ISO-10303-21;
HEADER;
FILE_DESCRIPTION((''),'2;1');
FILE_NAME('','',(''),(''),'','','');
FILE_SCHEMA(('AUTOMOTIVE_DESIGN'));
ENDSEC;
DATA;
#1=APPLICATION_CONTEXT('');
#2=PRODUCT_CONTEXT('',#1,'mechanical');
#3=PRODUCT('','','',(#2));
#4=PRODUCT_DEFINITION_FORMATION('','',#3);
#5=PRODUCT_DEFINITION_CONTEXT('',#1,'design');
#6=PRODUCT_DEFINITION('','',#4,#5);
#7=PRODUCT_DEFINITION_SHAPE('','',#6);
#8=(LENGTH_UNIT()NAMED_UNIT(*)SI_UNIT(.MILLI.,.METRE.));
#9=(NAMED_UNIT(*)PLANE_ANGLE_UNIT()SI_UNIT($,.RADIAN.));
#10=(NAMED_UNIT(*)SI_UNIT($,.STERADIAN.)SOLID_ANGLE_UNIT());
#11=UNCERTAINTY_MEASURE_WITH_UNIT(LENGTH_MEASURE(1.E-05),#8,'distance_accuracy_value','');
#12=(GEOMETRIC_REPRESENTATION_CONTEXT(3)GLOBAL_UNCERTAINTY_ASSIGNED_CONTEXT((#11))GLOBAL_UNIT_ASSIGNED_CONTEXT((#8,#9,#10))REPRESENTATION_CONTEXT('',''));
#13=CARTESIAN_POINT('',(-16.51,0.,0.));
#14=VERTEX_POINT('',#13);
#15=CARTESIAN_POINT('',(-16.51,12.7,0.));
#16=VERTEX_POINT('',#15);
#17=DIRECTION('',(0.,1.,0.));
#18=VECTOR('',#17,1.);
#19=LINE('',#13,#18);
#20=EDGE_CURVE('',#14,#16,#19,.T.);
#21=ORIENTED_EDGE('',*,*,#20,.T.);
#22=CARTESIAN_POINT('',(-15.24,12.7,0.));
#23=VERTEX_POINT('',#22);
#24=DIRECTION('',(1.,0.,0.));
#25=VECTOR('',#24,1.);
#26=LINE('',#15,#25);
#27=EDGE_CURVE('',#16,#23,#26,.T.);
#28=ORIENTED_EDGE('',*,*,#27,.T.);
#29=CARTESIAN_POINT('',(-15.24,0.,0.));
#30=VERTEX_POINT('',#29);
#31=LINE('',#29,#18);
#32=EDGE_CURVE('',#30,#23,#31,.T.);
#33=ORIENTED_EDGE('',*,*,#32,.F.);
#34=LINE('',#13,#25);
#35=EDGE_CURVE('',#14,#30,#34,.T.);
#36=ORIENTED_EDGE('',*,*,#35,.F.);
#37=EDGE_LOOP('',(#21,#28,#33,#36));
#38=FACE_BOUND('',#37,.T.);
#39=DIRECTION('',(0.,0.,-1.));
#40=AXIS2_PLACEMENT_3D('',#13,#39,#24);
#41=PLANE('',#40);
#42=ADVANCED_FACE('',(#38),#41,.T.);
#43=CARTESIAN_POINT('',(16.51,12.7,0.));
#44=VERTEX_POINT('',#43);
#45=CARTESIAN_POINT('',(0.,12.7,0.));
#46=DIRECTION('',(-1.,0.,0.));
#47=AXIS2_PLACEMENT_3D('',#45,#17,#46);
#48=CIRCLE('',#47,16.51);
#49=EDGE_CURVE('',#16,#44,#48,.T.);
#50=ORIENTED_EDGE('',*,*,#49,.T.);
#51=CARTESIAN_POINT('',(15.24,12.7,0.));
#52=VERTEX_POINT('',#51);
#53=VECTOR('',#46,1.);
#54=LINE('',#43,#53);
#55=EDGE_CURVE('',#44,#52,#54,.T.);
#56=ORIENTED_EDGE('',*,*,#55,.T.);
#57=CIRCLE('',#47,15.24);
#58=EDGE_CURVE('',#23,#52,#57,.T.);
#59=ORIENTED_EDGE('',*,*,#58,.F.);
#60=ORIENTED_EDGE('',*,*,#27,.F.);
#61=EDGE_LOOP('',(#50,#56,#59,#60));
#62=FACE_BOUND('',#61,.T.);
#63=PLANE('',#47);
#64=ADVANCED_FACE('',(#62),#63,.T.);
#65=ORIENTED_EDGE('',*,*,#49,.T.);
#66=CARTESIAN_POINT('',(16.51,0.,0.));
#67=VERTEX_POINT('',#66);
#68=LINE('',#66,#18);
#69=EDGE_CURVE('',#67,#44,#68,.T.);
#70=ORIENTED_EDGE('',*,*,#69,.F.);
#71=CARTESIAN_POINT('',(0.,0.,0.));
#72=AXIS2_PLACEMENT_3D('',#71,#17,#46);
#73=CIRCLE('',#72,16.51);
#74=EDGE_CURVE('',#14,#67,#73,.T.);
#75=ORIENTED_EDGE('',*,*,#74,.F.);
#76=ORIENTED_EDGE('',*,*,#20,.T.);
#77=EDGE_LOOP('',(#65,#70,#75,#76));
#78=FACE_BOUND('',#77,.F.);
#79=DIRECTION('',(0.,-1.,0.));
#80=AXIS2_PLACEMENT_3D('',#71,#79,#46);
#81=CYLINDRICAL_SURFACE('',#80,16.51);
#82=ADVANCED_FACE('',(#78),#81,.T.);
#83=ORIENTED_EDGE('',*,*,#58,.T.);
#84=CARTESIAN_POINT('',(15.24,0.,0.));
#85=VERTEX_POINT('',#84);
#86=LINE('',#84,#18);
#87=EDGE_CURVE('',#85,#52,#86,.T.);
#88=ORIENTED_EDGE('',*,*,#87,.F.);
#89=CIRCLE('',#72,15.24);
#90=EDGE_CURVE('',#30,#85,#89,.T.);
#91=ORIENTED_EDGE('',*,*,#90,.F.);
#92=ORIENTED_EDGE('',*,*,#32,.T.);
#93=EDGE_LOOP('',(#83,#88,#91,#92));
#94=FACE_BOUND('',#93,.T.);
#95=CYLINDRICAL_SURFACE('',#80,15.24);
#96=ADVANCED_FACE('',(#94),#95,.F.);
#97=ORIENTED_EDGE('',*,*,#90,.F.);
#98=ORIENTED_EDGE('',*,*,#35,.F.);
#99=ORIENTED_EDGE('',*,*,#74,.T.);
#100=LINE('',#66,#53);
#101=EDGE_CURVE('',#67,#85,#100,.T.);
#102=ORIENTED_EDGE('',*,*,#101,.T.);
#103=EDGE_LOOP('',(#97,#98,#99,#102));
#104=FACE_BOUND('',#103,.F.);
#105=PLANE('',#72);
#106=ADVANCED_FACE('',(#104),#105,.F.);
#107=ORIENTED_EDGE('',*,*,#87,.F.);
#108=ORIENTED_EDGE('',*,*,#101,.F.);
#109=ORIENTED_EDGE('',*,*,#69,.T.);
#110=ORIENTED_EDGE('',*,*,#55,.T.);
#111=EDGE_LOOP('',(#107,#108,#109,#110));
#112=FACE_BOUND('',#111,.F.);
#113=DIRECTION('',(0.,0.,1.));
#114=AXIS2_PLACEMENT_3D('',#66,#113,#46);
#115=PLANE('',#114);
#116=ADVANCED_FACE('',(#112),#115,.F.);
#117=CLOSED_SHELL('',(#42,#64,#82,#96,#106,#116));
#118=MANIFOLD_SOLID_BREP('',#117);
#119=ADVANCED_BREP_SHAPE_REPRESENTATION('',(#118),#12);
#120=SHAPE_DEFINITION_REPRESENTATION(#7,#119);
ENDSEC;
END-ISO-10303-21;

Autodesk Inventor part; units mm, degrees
ref_plane "YZ Plane" through (0, 0, 0) normal (1, 0, 0) x (0, 1, 0)
ref_plane "XZ Plane" through (0, 0, 0) normal (0, 1, 0) x (-1, 0, 0)
ref_plane "XY Plane" through (0, 0, 0) normal (0, 0, 1) x (1, 0, 0)
sketch "Sketch1" plane through (0, 0, 0) normal (0, 1, 0) x (-1, 0, 0)
  arc A0 (15.24, 0) -> (-15.24, 0) centre (0, 0) ccw
  arc A1 (16.51, 0) -> (-16.51, 0) centre (0, 0) ccw
  line L0 (16.51, 0) -> (15.24, 0)
  line L1 (-16.51, 0) -> (-15.24, 0)
  dimension "d0" = 30.48
  dimension "d1" = 33.02
extrude "Extrusion1" add sketch "Sketch1" along normal blind 12.7
properties part number "Pressure_seal"
